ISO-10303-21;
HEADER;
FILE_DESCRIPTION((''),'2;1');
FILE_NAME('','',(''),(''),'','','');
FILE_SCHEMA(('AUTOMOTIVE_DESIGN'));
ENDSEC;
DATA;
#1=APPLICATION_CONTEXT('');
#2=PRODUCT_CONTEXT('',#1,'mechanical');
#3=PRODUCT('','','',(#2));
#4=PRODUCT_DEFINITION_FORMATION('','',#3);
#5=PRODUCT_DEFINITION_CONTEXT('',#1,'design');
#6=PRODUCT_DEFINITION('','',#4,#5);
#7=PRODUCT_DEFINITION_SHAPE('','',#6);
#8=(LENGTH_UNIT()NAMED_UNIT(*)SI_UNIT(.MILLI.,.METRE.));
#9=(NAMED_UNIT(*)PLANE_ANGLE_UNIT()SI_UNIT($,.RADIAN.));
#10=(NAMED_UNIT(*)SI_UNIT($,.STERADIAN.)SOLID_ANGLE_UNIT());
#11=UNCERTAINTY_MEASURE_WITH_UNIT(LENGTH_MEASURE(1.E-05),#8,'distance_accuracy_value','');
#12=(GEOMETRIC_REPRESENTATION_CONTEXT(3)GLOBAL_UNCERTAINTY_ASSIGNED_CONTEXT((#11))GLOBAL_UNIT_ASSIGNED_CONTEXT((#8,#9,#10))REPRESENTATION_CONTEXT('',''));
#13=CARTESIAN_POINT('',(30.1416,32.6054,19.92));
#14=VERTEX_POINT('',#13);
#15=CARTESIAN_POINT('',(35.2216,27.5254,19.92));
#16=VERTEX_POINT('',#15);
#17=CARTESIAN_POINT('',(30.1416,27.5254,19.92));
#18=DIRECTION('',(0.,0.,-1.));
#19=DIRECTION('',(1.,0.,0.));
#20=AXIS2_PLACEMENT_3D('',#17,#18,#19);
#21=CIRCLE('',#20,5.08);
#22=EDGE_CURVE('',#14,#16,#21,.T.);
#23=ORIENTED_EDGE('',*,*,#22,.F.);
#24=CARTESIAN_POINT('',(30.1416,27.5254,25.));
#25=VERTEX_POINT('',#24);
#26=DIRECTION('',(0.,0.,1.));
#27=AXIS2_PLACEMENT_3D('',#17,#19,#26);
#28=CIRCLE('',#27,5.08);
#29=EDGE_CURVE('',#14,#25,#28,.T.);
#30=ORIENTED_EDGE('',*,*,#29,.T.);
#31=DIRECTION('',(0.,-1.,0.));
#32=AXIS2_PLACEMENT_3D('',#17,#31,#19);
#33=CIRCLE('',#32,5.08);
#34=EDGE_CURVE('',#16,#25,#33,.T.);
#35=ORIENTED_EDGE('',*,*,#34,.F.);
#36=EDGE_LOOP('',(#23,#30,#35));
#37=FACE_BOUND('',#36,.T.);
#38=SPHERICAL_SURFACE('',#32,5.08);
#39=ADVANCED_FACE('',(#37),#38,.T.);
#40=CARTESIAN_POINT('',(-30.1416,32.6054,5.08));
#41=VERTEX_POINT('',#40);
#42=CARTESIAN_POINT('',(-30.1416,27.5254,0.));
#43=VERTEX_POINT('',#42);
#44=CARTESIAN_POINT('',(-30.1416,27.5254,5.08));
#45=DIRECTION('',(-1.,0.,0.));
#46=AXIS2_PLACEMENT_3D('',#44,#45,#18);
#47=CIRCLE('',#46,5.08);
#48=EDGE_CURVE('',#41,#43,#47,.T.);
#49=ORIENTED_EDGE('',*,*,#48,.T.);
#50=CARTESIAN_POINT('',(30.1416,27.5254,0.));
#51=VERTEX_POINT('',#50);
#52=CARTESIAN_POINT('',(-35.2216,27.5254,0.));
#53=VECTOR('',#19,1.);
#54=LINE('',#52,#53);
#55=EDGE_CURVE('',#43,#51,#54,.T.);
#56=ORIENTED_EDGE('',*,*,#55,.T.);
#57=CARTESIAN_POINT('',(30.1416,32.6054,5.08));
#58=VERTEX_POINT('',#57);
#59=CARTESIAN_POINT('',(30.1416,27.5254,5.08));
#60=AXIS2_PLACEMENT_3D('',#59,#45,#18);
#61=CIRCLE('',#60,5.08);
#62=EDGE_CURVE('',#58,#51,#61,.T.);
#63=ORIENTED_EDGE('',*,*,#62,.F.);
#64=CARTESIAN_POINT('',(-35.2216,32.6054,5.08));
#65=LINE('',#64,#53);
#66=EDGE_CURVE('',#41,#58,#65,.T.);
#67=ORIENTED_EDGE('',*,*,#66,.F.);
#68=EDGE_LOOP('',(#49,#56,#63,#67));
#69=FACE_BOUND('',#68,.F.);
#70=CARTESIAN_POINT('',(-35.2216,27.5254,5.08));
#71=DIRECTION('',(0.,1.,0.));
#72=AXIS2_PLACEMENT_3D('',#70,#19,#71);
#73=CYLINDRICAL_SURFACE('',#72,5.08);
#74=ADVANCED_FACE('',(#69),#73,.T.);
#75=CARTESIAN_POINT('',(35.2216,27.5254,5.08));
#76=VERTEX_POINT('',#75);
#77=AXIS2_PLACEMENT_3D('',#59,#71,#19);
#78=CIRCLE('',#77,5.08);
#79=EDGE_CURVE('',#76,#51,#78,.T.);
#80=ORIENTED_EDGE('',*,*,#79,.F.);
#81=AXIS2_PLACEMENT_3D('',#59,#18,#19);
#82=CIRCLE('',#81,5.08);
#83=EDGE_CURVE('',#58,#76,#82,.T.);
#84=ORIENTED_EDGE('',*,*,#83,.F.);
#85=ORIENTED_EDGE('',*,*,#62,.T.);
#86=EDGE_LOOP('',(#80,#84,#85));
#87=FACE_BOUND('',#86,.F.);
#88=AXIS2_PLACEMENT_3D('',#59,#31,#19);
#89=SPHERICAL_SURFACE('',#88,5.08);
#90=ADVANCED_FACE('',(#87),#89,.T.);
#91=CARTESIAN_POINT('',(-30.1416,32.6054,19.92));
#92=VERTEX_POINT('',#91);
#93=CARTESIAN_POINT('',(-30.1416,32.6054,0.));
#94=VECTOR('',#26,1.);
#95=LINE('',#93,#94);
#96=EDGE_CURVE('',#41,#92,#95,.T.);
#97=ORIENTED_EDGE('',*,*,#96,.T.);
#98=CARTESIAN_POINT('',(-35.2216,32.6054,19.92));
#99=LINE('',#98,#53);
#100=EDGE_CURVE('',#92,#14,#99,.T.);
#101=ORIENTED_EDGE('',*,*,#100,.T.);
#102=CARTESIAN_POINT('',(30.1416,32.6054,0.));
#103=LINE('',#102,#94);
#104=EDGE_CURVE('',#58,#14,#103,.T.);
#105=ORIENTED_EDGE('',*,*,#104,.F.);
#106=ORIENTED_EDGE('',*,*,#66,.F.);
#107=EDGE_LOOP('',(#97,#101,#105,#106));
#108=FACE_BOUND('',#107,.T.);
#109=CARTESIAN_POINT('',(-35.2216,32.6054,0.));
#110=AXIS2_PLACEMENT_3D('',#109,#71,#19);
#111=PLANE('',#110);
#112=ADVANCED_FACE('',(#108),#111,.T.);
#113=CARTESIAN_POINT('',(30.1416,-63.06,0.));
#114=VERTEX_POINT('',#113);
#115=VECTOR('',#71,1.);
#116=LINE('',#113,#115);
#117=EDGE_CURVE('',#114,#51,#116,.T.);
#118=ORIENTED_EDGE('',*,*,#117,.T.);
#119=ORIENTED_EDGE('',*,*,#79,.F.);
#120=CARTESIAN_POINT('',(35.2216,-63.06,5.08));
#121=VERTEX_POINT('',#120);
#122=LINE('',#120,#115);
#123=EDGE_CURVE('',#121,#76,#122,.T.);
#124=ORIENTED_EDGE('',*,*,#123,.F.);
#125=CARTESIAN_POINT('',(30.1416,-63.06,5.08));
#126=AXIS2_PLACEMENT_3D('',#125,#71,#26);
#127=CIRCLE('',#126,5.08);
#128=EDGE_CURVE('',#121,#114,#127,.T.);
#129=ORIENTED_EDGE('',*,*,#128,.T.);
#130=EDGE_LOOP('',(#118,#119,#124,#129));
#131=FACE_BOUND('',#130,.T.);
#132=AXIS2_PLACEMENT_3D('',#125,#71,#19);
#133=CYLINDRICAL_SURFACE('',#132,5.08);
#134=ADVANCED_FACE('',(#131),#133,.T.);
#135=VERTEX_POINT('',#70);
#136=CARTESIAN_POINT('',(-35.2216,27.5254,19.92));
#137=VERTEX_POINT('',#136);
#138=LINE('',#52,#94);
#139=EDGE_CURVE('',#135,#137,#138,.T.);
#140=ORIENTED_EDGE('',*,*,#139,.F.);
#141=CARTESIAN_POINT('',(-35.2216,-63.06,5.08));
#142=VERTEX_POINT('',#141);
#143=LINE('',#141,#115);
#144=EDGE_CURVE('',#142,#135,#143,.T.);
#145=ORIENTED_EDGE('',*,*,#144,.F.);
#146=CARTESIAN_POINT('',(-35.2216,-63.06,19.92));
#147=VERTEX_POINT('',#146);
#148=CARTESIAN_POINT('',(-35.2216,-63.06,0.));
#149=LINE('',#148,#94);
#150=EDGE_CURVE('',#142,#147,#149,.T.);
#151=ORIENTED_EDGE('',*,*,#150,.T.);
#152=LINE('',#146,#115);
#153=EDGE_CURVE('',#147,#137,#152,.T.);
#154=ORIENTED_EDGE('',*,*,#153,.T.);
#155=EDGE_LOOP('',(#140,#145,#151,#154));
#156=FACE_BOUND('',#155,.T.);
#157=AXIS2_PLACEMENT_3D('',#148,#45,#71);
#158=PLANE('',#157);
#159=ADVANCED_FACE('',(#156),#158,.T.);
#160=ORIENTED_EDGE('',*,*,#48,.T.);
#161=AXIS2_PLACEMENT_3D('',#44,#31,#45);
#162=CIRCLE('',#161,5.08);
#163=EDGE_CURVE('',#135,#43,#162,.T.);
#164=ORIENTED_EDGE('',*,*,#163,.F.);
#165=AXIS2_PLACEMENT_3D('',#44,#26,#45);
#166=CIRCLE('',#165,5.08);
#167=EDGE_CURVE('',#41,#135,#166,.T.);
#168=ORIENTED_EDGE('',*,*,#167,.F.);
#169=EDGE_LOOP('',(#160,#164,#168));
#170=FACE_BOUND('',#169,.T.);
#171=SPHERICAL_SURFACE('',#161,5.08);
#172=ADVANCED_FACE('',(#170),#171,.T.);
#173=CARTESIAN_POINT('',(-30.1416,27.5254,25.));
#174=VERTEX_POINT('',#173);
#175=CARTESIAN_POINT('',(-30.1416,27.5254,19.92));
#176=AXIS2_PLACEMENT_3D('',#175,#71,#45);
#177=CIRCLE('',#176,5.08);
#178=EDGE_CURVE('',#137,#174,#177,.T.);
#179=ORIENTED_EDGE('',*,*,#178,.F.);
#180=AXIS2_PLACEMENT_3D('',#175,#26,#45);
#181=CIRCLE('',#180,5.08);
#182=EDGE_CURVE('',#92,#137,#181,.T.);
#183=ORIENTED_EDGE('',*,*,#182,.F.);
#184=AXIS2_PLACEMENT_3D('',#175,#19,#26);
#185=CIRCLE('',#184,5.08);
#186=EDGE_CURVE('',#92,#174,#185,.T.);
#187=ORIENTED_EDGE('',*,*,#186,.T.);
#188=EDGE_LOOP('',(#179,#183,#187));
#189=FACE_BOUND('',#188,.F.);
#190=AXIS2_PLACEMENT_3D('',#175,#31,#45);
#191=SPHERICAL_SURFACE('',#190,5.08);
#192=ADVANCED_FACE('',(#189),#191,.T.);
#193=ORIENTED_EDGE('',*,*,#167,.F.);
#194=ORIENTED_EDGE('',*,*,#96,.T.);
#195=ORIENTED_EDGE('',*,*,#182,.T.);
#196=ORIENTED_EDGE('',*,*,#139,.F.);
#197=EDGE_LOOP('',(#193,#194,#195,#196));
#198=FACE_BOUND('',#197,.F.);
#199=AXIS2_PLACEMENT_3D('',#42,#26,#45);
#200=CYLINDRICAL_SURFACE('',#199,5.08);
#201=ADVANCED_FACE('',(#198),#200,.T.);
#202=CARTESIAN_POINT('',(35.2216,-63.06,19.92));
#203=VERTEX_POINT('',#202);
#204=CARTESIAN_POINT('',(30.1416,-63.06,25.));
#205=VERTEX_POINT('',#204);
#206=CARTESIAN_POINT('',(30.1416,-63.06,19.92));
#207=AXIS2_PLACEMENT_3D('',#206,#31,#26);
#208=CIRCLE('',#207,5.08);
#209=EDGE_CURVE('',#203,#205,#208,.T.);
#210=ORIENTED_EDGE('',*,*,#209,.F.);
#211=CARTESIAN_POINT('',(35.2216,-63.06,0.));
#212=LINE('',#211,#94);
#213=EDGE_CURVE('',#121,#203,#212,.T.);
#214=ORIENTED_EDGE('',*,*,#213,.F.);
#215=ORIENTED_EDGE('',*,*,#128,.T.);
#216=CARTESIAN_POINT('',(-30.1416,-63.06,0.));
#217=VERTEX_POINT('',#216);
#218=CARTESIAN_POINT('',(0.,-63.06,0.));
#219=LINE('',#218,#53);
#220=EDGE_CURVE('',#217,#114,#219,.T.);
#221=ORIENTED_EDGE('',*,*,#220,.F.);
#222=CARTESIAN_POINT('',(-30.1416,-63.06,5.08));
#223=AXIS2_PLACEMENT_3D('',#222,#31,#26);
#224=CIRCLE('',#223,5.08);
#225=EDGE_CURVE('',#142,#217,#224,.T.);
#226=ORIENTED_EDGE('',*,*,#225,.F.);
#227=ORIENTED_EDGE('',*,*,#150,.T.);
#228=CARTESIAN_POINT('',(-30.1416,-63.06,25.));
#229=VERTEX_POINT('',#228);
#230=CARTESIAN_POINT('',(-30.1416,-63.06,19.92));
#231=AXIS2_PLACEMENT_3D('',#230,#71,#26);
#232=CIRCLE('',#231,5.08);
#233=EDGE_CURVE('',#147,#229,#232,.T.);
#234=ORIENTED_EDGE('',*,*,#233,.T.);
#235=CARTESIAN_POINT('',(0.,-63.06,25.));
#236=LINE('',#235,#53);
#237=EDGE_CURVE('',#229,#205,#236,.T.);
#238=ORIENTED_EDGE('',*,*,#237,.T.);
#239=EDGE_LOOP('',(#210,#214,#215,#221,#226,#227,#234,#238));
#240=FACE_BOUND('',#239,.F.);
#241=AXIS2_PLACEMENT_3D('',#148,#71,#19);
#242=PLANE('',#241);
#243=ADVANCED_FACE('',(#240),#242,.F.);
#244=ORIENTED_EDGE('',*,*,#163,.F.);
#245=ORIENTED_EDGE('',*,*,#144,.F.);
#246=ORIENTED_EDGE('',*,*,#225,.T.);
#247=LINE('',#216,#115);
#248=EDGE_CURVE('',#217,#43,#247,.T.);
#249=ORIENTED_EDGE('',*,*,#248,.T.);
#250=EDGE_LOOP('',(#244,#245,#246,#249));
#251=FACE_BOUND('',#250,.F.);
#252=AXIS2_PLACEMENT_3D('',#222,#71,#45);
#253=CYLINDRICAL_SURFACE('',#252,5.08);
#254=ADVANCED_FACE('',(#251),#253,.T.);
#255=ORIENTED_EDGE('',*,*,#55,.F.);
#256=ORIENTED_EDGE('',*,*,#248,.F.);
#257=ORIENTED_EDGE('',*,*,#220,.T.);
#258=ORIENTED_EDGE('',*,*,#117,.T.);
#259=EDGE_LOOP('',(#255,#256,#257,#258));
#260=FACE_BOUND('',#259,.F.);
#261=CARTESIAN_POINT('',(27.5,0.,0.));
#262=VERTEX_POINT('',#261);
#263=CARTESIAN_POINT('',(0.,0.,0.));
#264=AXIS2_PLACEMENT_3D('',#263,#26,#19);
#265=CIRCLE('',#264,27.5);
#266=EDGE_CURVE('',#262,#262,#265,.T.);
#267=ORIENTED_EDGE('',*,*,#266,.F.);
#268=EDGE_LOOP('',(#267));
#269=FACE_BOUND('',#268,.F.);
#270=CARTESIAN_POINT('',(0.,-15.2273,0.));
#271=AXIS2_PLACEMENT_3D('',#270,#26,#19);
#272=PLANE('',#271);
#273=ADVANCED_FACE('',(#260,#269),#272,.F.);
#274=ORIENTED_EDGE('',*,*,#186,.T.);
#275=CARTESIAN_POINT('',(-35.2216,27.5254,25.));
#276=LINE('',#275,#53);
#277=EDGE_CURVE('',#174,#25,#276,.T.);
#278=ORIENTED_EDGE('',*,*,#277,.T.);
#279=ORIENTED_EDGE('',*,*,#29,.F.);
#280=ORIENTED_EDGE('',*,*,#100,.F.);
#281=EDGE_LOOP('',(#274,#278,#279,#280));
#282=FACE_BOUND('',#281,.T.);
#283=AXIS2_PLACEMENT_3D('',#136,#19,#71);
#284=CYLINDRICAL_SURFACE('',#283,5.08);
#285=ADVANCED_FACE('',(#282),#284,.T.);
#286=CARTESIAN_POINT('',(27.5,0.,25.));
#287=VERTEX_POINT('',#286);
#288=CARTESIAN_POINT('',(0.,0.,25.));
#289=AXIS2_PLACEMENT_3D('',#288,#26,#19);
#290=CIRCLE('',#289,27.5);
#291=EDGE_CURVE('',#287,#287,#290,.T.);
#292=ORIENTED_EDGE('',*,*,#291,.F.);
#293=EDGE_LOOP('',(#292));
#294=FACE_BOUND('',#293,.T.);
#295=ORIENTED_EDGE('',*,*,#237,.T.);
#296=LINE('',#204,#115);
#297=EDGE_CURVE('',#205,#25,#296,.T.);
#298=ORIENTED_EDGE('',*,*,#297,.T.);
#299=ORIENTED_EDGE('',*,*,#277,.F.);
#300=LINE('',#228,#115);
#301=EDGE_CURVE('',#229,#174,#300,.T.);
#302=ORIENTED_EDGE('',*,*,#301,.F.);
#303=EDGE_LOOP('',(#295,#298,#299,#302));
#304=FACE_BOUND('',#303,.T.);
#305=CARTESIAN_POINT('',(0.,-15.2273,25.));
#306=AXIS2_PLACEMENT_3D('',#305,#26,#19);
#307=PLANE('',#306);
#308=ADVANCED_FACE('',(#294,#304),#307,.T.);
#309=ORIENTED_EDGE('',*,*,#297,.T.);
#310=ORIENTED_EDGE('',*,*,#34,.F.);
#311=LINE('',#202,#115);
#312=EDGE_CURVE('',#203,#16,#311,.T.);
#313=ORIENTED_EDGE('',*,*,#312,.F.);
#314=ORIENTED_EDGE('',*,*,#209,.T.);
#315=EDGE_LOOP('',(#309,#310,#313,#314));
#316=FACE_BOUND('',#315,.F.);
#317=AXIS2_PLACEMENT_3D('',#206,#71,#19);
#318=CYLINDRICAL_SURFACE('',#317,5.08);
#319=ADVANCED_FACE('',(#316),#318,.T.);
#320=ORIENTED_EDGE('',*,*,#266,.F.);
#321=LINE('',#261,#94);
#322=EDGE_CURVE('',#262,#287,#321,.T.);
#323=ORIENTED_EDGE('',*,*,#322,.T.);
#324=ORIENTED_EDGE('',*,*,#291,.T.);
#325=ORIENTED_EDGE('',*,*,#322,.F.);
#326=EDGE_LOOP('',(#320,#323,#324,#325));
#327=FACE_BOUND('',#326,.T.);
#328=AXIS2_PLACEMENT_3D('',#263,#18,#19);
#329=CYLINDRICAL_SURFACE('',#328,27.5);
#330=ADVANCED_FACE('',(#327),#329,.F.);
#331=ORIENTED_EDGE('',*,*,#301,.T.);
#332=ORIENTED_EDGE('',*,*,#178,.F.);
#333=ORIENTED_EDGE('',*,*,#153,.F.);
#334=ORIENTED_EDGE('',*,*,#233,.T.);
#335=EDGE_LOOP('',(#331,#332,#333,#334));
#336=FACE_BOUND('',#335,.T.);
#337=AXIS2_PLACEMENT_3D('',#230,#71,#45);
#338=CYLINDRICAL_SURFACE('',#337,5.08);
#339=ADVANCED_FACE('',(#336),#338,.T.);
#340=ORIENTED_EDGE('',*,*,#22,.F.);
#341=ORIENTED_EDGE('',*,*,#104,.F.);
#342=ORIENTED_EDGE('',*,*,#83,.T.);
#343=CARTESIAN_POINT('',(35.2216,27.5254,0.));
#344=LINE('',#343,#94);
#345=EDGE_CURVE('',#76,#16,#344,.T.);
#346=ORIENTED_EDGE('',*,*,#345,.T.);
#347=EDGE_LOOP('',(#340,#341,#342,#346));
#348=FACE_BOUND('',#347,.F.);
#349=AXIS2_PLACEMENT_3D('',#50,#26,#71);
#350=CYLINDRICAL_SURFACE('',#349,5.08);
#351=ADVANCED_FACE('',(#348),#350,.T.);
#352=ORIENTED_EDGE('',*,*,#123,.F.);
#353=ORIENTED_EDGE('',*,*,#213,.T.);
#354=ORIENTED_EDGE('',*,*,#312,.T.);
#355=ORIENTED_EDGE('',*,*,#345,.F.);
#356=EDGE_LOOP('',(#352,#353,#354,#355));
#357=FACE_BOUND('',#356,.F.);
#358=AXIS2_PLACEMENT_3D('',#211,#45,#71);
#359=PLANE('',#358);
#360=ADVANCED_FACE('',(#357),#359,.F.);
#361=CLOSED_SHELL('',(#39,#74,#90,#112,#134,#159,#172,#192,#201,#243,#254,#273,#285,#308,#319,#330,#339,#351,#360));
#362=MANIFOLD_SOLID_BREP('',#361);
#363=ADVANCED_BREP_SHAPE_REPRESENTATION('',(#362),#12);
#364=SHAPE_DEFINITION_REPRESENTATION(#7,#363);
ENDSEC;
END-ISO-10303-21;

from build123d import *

# Parameters (mm, degrees)
F0_W     = 70.4432
F0_H     = 95.6654
F0_R     = 27.5
F1_DEPTH = 25
F2_R     = 5.08


with BuildPart() as f1:
    # F0 (on Top) → F1 (new body)
    with BuildSketch(Plane.XY):
        with Locations((0, -15.2273)):
            Rectangle(F0_W, F0_H)
        Circle(F0_R, mode=Mode.SUBTRACT)
    extrude(amount=F1_DEPTH)

    # F2
    f2_edges = [f1.edges().sort_by_distance(p)[0] for p in [
        (35.2216, -15.2273, 25),
        (35.2216, -15.2273, 0),
        (-35.2216, -15.2273, 25),
        (-35.2216, -15.2273, 0),
        (-35.2216, 32.6054, 12.5),
        (35.2216, 32.6054, 12.5),
        (0, 32.6054, 25),
        (0, 32.6054, 0),
    ]]
    fillet(f2_edges, radius=F2_R)


solid = f1.part
